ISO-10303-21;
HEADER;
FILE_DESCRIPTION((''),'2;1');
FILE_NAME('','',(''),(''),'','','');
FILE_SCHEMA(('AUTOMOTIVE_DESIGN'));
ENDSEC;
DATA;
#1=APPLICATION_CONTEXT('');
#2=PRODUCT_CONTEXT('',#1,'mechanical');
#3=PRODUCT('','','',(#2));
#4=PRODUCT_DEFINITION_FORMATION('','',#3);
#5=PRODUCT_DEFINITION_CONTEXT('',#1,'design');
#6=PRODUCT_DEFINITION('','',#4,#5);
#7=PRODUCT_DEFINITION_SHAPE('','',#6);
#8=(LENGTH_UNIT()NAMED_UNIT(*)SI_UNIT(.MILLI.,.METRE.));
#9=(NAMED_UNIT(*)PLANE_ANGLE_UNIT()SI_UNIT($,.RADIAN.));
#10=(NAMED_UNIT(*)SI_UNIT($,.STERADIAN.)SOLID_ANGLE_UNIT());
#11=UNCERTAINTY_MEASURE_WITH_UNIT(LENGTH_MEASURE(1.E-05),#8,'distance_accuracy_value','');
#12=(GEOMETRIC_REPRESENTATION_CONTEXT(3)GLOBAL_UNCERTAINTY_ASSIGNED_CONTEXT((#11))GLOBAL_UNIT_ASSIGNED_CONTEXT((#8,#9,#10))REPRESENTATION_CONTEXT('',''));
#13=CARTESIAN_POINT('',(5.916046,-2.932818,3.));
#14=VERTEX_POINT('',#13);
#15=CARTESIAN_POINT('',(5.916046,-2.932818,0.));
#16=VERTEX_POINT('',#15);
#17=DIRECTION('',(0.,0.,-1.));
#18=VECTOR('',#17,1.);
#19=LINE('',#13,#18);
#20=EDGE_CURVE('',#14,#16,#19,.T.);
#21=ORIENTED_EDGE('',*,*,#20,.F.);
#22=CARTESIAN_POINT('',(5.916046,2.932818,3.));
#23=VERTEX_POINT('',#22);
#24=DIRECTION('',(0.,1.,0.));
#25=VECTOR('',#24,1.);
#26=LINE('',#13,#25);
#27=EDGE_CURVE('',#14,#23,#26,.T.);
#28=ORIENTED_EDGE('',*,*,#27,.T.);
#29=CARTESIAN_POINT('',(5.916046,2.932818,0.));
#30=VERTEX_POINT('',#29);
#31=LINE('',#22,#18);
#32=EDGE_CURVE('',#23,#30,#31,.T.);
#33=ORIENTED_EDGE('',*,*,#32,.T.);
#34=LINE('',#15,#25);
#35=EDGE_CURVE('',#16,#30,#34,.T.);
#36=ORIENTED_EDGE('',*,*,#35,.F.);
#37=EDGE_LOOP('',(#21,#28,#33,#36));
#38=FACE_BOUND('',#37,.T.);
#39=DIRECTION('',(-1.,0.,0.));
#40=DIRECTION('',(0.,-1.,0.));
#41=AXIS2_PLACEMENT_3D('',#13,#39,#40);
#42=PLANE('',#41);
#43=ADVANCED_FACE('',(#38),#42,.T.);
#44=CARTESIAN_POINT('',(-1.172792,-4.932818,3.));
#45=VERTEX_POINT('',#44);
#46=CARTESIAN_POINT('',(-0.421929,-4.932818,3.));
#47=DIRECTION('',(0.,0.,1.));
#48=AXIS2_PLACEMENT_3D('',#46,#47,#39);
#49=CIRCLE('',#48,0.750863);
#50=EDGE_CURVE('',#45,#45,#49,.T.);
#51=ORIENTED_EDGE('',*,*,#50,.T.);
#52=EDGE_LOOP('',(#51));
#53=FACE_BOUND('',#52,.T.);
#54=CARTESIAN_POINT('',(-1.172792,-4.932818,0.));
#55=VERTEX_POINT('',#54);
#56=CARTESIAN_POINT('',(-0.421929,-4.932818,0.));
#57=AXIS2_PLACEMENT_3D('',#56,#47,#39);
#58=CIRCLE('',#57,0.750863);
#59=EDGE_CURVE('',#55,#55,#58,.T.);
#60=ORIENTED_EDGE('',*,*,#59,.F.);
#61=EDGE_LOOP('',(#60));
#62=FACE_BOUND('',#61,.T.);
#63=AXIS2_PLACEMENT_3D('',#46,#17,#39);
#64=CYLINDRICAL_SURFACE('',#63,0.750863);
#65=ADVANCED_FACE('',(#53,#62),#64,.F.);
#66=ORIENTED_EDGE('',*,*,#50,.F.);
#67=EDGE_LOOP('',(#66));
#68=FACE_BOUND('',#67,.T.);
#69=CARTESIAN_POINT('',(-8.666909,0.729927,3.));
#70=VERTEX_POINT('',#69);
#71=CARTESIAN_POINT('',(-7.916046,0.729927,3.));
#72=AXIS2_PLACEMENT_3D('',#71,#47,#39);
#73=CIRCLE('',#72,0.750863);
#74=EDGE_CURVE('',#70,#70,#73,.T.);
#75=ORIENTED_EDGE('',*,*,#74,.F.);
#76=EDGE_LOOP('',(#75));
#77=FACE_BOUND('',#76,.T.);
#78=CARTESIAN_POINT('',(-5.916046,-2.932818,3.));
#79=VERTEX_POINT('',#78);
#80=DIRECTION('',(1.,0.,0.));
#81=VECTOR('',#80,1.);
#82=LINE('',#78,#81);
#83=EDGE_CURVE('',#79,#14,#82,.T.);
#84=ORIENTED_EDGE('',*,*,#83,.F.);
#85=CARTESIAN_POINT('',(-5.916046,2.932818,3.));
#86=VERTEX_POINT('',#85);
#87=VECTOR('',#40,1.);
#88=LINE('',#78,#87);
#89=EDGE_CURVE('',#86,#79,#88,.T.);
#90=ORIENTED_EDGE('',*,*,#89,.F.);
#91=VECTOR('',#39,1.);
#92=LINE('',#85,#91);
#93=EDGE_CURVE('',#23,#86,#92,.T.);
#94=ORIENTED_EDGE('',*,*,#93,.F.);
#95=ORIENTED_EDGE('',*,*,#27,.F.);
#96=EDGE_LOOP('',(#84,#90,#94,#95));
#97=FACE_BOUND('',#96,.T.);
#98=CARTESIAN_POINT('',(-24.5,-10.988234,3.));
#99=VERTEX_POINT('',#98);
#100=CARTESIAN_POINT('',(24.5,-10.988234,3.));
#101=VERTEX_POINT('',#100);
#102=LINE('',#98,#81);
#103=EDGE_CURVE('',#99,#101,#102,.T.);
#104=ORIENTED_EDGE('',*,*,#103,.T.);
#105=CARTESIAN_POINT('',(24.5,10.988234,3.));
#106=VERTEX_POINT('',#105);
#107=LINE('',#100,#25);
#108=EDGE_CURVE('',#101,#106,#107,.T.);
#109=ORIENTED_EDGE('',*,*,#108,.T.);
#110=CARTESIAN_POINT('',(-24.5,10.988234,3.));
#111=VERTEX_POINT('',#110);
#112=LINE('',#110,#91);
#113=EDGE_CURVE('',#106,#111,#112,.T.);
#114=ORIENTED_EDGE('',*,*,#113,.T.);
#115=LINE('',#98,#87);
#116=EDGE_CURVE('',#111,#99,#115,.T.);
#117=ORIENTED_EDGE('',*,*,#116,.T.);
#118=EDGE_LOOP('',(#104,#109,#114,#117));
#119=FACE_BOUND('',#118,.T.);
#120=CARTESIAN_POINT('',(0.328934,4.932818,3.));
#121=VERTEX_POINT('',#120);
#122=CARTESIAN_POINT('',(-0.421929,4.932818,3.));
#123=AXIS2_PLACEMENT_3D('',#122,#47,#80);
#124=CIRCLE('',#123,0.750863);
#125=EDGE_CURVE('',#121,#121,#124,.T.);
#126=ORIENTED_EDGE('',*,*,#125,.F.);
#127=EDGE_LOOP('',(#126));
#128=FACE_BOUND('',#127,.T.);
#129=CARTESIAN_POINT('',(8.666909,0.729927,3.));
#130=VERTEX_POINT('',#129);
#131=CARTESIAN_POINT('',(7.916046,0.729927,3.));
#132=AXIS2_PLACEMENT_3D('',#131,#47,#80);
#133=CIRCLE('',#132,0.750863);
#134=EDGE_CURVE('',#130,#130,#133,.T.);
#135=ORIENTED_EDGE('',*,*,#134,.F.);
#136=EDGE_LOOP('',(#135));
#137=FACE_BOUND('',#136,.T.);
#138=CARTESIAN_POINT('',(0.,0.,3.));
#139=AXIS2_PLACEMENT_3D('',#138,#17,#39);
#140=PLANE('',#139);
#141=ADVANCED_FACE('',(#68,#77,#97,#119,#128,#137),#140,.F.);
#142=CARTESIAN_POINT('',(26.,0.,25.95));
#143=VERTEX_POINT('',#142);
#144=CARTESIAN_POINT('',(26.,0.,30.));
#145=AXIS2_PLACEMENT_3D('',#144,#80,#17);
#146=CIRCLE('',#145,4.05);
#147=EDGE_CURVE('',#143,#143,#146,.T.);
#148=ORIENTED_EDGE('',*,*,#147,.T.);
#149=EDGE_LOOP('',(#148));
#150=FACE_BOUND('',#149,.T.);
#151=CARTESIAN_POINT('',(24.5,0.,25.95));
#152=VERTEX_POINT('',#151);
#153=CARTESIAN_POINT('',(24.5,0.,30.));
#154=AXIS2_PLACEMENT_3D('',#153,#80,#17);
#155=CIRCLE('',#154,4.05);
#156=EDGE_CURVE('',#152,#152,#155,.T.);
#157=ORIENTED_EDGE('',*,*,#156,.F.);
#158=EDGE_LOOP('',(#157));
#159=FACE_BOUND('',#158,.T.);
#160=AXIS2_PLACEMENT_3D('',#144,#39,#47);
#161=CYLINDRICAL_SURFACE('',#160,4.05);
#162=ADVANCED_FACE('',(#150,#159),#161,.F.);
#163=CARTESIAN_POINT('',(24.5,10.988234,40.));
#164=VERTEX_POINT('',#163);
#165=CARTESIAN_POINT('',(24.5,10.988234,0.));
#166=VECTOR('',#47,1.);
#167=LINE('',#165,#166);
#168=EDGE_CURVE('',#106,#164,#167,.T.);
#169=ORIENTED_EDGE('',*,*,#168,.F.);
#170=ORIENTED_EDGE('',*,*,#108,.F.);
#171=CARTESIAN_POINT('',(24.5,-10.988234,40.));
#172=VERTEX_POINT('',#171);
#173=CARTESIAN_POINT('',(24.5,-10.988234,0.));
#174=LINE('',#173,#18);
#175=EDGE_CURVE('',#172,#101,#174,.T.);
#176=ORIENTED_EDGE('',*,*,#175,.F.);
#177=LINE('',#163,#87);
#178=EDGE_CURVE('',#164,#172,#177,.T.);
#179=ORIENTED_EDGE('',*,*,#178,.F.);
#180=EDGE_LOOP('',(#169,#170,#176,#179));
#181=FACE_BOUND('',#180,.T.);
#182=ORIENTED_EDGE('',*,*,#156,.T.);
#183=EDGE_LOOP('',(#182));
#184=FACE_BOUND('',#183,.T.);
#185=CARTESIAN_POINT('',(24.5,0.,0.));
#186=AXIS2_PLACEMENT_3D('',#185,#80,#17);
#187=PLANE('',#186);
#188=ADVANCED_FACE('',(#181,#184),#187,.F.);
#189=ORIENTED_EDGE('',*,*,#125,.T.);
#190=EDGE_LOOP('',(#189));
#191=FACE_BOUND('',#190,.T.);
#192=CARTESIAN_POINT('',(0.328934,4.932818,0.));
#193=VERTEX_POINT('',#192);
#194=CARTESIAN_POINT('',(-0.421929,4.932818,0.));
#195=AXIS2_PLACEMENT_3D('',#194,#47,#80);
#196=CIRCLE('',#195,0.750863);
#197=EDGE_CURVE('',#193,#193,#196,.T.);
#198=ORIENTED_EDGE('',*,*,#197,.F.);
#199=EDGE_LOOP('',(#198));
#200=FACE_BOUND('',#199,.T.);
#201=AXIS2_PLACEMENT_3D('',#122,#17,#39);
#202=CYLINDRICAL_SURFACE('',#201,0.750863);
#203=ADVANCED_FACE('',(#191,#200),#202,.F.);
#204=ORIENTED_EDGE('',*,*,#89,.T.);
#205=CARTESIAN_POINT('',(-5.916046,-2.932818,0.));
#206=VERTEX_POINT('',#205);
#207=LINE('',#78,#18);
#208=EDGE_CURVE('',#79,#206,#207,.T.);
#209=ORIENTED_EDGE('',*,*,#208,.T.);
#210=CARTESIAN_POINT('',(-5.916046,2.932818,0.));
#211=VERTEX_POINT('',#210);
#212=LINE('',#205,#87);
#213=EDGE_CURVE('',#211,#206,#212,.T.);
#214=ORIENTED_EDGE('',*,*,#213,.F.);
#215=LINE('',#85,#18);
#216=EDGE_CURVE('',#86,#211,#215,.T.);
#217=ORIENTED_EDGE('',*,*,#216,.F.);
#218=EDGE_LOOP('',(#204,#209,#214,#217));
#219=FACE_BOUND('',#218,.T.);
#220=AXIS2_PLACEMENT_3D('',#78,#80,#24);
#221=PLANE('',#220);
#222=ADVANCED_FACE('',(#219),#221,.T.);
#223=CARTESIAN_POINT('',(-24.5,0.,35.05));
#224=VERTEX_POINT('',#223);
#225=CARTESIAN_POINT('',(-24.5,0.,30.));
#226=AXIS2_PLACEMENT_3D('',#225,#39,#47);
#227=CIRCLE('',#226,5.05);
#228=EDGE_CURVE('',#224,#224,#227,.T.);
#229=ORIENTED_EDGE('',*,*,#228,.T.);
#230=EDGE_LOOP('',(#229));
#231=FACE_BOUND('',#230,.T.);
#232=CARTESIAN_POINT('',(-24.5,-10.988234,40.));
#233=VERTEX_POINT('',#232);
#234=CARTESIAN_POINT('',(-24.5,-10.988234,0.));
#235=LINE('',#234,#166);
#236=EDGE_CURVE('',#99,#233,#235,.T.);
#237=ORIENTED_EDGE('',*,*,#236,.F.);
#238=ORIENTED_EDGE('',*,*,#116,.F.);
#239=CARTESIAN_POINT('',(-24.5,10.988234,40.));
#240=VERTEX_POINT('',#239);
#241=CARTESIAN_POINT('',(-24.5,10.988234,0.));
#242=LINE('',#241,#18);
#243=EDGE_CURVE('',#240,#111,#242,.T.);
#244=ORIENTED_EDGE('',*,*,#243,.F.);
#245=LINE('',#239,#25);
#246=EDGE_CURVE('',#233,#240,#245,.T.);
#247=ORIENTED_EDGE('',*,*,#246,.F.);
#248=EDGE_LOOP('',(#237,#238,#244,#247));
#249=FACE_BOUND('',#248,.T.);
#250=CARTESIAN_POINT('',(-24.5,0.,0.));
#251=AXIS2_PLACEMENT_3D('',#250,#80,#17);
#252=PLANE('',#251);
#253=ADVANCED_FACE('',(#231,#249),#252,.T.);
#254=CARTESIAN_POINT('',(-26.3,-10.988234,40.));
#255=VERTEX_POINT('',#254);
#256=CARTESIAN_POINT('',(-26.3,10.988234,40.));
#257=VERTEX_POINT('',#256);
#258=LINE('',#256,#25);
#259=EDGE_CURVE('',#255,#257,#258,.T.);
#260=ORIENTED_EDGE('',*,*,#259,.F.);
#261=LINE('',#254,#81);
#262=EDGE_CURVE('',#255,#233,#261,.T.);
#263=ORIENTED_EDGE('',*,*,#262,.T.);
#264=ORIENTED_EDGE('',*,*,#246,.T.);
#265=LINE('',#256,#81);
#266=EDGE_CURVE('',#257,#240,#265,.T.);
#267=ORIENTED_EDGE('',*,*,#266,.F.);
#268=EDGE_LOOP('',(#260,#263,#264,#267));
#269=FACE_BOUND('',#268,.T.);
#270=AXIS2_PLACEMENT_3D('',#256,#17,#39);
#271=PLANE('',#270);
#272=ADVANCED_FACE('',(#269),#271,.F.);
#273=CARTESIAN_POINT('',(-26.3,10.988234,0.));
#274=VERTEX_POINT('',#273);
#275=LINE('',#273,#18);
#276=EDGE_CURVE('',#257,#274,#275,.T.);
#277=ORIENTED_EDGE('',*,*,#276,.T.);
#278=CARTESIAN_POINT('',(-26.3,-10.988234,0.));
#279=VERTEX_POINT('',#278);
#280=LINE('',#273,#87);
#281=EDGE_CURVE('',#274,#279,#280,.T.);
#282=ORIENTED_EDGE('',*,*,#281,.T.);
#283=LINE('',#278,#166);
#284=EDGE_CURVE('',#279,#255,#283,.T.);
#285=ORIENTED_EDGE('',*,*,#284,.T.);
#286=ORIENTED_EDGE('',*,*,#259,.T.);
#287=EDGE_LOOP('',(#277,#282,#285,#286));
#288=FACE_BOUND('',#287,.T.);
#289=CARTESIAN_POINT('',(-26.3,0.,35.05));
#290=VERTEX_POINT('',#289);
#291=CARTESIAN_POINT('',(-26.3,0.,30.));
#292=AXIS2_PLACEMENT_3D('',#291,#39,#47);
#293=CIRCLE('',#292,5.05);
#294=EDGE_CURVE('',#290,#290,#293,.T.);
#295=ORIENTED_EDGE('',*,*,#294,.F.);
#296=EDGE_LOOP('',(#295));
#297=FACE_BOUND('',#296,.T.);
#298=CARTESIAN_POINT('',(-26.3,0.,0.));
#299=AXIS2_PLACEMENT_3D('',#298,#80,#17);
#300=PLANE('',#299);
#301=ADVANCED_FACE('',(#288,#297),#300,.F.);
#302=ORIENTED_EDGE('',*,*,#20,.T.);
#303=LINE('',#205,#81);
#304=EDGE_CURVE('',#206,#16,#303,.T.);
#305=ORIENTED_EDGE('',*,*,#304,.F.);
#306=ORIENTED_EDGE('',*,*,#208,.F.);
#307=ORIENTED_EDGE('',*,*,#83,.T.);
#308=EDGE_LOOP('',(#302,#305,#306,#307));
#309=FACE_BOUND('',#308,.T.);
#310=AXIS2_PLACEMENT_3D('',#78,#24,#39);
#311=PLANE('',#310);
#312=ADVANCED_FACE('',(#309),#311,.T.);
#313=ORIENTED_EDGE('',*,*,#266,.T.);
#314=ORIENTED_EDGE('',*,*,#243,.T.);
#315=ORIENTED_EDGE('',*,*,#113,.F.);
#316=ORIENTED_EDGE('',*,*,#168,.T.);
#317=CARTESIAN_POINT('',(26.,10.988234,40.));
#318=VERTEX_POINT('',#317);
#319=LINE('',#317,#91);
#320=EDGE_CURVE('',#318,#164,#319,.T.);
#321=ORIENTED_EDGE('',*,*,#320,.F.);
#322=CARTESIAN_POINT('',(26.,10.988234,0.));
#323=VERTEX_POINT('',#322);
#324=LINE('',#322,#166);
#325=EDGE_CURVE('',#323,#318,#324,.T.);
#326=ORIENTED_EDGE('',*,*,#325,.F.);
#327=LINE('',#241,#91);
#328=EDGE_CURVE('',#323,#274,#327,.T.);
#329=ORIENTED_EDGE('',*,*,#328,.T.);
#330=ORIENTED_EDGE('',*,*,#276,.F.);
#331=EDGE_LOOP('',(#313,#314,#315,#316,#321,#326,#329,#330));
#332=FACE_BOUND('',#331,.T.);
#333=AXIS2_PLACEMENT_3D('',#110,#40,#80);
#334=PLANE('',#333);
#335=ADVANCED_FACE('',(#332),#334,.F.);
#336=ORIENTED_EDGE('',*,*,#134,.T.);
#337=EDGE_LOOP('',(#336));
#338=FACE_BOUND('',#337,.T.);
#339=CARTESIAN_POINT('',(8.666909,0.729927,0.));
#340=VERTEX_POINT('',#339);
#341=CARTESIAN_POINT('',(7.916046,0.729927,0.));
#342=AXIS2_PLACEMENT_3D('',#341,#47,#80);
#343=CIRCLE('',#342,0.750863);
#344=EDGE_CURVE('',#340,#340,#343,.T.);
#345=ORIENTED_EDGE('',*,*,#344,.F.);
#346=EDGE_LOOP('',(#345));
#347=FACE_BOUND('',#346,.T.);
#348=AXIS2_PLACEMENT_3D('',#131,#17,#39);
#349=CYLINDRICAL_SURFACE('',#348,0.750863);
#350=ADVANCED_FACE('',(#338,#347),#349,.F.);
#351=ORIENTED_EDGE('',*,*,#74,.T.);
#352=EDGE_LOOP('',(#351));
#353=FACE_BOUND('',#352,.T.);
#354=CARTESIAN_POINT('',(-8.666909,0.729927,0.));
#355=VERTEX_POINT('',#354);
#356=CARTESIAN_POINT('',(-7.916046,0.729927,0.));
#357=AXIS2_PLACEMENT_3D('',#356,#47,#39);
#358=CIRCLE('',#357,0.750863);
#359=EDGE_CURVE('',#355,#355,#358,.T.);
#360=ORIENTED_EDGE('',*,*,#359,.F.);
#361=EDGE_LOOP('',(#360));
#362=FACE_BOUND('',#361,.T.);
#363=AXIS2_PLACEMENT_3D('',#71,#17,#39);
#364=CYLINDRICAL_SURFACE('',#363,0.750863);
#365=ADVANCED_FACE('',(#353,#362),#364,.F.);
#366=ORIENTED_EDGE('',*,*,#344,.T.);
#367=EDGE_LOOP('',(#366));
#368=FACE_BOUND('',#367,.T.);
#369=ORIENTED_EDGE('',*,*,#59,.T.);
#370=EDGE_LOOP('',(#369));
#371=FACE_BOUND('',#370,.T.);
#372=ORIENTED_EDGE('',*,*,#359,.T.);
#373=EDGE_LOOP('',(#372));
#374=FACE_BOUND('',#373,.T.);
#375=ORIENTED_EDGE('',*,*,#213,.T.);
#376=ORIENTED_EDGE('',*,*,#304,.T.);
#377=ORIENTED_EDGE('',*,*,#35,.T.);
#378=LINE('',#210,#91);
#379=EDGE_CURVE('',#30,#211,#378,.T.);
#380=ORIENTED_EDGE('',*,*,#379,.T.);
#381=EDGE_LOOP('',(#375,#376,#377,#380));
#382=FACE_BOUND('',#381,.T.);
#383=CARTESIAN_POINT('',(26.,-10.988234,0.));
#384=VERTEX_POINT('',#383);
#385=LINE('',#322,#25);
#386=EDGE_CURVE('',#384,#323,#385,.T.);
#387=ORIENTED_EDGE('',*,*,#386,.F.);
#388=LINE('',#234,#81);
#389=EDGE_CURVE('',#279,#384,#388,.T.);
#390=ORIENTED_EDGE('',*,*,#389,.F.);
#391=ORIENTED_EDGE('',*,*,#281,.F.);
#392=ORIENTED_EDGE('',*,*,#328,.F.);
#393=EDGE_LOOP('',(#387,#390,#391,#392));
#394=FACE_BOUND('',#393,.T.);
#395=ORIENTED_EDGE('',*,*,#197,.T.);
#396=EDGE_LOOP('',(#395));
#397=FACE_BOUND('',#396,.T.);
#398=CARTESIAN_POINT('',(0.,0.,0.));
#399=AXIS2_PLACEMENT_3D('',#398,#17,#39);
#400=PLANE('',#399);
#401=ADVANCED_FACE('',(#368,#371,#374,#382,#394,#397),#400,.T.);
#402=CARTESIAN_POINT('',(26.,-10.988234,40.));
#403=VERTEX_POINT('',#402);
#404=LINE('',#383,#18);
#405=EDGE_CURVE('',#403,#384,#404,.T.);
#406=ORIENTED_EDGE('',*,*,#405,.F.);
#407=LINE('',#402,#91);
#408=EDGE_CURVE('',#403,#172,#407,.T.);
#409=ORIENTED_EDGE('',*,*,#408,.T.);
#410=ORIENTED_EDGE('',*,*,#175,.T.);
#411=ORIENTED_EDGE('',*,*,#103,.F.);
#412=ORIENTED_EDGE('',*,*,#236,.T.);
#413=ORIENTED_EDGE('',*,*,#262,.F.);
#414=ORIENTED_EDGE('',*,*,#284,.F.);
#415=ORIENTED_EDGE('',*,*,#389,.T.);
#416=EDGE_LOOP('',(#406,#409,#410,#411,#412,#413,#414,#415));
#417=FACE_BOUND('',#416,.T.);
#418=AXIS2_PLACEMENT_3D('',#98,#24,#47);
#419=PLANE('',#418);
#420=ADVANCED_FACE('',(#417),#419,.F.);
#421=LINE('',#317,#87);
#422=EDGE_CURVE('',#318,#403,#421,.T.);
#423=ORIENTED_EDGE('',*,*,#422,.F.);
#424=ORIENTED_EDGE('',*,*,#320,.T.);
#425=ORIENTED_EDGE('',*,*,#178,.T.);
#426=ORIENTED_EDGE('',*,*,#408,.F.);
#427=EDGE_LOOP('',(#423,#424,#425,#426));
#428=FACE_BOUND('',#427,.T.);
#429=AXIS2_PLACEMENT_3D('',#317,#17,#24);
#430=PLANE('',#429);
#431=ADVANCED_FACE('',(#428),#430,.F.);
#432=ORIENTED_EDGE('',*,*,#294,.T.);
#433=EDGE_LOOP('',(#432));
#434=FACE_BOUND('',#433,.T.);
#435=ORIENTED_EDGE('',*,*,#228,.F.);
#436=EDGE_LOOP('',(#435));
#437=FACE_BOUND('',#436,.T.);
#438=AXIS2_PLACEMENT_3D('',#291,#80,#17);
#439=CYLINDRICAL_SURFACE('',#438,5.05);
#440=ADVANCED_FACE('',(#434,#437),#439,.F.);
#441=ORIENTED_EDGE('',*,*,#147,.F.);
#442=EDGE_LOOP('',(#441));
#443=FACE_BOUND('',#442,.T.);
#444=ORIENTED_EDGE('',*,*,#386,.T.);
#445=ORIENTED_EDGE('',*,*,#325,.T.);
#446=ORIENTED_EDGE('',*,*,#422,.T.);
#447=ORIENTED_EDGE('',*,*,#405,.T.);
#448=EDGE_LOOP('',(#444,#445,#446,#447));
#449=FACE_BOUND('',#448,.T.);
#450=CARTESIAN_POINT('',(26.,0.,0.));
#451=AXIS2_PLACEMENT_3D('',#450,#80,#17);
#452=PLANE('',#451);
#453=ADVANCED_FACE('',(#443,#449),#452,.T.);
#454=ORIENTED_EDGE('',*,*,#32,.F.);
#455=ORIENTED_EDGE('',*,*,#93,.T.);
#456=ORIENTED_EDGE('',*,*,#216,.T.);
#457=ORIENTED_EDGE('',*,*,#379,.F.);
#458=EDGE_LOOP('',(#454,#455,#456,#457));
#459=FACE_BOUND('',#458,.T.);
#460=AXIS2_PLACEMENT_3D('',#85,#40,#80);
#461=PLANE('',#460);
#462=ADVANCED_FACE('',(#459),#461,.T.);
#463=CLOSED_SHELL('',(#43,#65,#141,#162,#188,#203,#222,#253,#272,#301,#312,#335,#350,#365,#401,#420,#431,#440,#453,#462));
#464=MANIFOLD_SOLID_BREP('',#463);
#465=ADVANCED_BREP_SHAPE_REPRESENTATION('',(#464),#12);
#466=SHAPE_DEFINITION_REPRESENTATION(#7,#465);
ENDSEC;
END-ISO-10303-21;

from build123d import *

# Parameters (mm, degrees)
ESBO_O1_W                = 49
ESBO_O1_H                = 21.976467336
ESBO_O1_R                = 0.750862634
ESBO_O1_W_2              = 11.832091764
ESBO_O1_H_2              = 5.865635034
RESSALTO_EXTRUS_O1_DEPTH = 3
ESBO_O2_W                = 40
ESBO_O2_H                = 21.976467336
ESBO_O2_R                = 5.05
RESSALTO_EXTRUS_O2_DEPTH = 1.8
ESBO_O3_W                = 40
ESBO_O3_H                = 21.97646734
ESBO_O3_R                = 4.05
RESSALTO_EXTRUS_O3_DEPTH = 1.5


with BuildPart() as part:
    # Esboço1 → Ressalto-extrusão1 (new body)
    with BuildSketch(Plane.XY):
        Rectangle(ESBO_O1_W, ESBO_O1_H)
        with Locations((-0.421929048, 4.932817517)):
            Circle(ESBO_O1_R, mode=Mode.SUBTRACT)
        with Locations((7.916045882, 0.729927039)):
            Circle(ESBO_O1_R, mode=Mode.SUBTRACT)
        with Locations(Location((-0.421929048, -4.932817517, 0), (0, 0, 180))):
            Circle(ESBO_O1_R, mode=Mode.SUBTRACT)
        with Locations(Location((-7.916045882, 0.729927039, 0), (0, 0, 180))):
            Circle(ESBO_O1_R, mode=Mode.SUBTRACT)
        Rectangle(ESBO_O1_W_2, ESBO_O1_H_2, mode=Mode.SUBTRACT)
    extrude(amount=RESSALTO_EXTRUS_O1_DEPTH)

    # Esboço2 → Ressalto-extrusão2 (add)
    with BuildSketch(Plane.ZY.offset(24.5)):
        with Locations((20, 0)):
            Rectangle(ESBO_O2_W, ESBO_O2_H)
        with Locations((30, 0)):
            Circle(ESBO_O2_R, mode=Mode.SUBTRACT)
    extrude(amount=RESSALTO_EXTRUS_O2_DEPTH)

    # Esboço3 → Ressalto-extrusão3 (add)
    with BuildSketch(Plane(origin=(24.5, 0, 0), x_dir=(0, 0, -1), z_dir=(1, 0, 0))):
        with Locations((-20, -2e-09)):
            Rectangle(ESBO_O3_W, ESBO_O3_H)
        with Locations((-30, 0)):
            Circle(ESBO_O3_R, mode=Mode.SUBTRACT)
    extrude(amount=RESSALTO_EXTRUS_O3_DEPTH)


solid = part.part
